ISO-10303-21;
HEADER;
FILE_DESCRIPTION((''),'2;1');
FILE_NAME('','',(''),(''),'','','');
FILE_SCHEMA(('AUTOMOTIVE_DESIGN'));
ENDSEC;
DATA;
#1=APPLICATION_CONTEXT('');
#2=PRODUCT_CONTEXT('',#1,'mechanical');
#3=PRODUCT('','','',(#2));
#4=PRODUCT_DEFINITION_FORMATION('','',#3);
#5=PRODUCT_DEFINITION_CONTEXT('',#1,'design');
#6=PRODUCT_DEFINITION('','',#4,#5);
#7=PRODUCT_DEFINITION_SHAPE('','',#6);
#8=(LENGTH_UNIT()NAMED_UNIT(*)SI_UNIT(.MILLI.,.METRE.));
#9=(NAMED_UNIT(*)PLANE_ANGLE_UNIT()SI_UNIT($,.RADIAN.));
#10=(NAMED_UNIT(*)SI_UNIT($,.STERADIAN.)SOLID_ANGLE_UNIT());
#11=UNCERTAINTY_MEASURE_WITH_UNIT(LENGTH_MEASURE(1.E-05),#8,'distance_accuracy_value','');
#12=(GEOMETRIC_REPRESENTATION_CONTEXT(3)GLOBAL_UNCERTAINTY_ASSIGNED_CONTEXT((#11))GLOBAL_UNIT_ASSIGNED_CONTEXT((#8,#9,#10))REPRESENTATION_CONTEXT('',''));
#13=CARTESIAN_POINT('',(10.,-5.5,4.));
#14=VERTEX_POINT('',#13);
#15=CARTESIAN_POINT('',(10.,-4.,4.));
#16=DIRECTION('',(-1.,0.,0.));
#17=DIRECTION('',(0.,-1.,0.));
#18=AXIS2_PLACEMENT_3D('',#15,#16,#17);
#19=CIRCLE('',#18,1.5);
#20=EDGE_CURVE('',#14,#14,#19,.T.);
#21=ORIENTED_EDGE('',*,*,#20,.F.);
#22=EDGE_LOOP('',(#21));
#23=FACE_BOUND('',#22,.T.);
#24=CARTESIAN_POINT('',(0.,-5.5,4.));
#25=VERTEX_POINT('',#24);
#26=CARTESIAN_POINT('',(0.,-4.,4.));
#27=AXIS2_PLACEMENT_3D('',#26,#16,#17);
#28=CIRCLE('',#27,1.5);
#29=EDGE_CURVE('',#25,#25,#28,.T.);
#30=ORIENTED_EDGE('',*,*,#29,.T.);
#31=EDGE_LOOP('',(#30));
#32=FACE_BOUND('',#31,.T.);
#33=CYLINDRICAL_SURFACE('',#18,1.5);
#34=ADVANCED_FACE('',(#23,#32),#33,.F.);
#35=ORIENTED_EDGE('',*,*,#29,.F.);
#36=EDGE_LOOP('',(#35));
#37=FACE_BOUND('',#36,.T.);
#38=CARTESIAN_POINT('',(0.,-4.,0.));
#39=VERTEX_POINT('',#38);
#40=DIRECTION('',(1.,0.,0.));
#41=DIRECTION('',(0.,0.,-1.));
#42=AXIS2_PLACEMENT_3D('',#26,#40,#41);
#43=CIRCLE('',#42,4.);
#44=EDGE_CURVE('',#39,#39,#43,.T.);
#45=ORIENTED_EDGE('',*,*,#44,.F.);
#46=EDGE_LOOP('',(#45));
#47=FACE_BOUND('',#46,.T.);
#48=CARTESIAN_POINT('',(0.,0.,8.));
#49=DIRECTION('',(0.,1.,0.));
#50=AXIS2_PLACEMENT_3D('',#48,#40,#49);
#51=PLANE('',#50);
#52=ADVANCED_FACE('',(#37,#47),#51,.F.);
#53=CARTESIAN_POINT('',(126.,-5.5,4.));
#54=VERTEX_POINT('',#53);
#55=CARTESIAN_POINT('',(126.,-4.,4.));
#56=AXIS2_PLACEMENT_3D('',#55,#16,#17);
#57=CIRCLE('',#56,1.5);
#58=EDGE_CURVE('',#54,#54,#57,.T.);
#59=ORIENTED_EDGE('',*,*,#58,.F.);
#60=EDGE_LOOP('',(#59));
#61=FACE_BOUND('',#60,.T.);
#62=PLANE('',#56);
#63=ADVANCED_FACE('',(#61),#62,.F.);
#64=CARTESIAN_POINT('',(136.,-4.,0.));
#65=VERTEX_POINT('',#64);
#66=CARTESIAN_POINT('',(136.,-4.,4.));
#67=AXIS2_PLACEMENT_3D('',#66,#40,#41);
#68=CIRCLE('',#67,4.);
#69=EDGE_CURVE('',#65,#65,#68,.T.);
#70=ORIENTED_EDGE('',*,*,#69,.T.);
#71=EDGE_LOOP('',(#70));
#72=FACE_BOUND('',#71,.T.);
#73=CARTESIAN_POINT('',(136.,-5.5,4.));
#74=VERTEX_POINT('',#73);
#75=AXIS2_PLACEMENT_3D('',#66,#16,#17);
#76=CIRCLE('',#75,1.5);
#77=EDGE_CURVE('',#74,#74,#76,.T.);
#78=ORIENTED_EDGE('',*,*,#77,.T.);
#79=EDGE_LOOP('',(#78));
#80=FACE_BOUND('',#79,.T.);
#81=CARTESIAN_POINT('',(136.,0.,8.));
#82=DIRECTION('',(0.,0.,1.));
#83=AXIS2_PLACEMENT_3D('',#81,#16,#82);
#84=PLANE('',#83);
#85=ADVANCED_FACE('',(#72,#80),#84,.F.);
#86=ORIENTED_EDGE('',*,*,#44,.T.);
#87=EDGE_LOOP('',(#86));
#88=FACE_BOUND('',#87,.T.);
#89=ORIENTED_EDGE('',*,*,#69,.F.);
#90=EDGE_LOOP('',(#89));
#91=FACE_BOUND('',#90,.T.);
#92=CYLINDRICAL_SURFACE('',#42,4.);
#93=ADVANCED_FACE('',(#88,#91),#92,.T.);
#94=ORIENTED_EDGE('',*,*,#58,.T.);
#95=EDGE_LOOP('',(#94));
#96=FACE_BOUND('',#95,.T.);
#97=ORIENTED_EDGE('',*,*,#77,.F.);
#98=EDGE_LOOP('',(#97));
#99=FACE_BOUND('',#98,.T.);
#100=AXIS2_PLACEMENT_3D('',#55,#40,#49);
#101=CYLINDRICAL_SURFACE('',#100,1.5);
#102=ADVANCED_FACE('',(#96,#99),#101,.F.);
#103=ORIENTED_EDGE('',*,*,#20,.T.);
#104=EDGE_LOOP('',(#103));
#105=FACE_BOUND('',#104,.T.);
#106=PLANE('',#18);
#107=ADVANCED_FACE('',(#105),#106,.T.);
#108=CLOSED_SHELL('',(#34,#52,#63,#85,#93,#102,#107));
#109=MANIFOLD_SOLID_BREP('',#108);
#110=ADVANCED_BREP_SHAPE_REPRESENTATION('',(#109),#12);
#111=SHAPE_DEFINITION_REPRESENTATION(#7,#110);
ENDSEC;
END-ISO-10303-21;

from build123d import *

# Parameters (mm, degrees)
SKETCH_1_W          = 136
SKETCH_1_H          = 8
EXTRUDE_1_DEPTH     = 8
SKETCH_2_R          = 1.5
CUT_EXTRUDE_1_DEPTH = 10
CUT_EXTRUDE_START   = -126
SKETCH_2_2_R        = 1.5
CUT_EXTRUDE_2_DEPTH = 10
SKETCH_3_R          = 6
SKETCH_3_R_2        = 4
CUT_EXTRUDE_3_DEPTH = 137.469776874


with BuildPart() as part:
    # 草图1 → 凸台-拉伸1 (new body)
    with BuildSketch(Plane.XY):
        with Locations((68, -4)):
            Rectangle(SKETCH_1_W, SKETCH_1_H)
    extrude(amount=EXTRUDE_1_DEPTH)

    # 草图2 → 切除-拉伸1 (cut)
    with BuildSketch(Plane.ZY):
        with Locations((4, -4)):
            Circle(SKETCH_2_R)
    extrude(amount=-CUT_EXTRUDE_1_DEPTH, mode=Mode.SUBTRACT)

    # 草图2<2> → 切除-拉伸2 (cut)
    with BuildSketch(Plane.ZY.offset(CUT_EXTRUDE_START)):
        with Locations((4, -4)):
            Circle(SKETCH_2_2_R)
    extrude(amount=-CUT_EXTRUDE_2_DEPTH, mode=Mode.SUBTRACT)

    # 草图3 → 切除-拉伸3 (cut, through all)
    with BuildSketch(Plane(origin=(136, 0, 0), x_dir=(0, 0, -1), z_dir=(1, 0, 0))):
        with Locations((-4, -4)):
            Circle(SKETCH_3_R)
        with Locations((-4, -4)):
            Circle(SKETCH_3_R_2, mode=Mode.SUBTRACT)
    extrude(amount=-CUT_EXTRUDE_3_DEPTH, mode=Mode.SUBTRACT)


solid = part.part
